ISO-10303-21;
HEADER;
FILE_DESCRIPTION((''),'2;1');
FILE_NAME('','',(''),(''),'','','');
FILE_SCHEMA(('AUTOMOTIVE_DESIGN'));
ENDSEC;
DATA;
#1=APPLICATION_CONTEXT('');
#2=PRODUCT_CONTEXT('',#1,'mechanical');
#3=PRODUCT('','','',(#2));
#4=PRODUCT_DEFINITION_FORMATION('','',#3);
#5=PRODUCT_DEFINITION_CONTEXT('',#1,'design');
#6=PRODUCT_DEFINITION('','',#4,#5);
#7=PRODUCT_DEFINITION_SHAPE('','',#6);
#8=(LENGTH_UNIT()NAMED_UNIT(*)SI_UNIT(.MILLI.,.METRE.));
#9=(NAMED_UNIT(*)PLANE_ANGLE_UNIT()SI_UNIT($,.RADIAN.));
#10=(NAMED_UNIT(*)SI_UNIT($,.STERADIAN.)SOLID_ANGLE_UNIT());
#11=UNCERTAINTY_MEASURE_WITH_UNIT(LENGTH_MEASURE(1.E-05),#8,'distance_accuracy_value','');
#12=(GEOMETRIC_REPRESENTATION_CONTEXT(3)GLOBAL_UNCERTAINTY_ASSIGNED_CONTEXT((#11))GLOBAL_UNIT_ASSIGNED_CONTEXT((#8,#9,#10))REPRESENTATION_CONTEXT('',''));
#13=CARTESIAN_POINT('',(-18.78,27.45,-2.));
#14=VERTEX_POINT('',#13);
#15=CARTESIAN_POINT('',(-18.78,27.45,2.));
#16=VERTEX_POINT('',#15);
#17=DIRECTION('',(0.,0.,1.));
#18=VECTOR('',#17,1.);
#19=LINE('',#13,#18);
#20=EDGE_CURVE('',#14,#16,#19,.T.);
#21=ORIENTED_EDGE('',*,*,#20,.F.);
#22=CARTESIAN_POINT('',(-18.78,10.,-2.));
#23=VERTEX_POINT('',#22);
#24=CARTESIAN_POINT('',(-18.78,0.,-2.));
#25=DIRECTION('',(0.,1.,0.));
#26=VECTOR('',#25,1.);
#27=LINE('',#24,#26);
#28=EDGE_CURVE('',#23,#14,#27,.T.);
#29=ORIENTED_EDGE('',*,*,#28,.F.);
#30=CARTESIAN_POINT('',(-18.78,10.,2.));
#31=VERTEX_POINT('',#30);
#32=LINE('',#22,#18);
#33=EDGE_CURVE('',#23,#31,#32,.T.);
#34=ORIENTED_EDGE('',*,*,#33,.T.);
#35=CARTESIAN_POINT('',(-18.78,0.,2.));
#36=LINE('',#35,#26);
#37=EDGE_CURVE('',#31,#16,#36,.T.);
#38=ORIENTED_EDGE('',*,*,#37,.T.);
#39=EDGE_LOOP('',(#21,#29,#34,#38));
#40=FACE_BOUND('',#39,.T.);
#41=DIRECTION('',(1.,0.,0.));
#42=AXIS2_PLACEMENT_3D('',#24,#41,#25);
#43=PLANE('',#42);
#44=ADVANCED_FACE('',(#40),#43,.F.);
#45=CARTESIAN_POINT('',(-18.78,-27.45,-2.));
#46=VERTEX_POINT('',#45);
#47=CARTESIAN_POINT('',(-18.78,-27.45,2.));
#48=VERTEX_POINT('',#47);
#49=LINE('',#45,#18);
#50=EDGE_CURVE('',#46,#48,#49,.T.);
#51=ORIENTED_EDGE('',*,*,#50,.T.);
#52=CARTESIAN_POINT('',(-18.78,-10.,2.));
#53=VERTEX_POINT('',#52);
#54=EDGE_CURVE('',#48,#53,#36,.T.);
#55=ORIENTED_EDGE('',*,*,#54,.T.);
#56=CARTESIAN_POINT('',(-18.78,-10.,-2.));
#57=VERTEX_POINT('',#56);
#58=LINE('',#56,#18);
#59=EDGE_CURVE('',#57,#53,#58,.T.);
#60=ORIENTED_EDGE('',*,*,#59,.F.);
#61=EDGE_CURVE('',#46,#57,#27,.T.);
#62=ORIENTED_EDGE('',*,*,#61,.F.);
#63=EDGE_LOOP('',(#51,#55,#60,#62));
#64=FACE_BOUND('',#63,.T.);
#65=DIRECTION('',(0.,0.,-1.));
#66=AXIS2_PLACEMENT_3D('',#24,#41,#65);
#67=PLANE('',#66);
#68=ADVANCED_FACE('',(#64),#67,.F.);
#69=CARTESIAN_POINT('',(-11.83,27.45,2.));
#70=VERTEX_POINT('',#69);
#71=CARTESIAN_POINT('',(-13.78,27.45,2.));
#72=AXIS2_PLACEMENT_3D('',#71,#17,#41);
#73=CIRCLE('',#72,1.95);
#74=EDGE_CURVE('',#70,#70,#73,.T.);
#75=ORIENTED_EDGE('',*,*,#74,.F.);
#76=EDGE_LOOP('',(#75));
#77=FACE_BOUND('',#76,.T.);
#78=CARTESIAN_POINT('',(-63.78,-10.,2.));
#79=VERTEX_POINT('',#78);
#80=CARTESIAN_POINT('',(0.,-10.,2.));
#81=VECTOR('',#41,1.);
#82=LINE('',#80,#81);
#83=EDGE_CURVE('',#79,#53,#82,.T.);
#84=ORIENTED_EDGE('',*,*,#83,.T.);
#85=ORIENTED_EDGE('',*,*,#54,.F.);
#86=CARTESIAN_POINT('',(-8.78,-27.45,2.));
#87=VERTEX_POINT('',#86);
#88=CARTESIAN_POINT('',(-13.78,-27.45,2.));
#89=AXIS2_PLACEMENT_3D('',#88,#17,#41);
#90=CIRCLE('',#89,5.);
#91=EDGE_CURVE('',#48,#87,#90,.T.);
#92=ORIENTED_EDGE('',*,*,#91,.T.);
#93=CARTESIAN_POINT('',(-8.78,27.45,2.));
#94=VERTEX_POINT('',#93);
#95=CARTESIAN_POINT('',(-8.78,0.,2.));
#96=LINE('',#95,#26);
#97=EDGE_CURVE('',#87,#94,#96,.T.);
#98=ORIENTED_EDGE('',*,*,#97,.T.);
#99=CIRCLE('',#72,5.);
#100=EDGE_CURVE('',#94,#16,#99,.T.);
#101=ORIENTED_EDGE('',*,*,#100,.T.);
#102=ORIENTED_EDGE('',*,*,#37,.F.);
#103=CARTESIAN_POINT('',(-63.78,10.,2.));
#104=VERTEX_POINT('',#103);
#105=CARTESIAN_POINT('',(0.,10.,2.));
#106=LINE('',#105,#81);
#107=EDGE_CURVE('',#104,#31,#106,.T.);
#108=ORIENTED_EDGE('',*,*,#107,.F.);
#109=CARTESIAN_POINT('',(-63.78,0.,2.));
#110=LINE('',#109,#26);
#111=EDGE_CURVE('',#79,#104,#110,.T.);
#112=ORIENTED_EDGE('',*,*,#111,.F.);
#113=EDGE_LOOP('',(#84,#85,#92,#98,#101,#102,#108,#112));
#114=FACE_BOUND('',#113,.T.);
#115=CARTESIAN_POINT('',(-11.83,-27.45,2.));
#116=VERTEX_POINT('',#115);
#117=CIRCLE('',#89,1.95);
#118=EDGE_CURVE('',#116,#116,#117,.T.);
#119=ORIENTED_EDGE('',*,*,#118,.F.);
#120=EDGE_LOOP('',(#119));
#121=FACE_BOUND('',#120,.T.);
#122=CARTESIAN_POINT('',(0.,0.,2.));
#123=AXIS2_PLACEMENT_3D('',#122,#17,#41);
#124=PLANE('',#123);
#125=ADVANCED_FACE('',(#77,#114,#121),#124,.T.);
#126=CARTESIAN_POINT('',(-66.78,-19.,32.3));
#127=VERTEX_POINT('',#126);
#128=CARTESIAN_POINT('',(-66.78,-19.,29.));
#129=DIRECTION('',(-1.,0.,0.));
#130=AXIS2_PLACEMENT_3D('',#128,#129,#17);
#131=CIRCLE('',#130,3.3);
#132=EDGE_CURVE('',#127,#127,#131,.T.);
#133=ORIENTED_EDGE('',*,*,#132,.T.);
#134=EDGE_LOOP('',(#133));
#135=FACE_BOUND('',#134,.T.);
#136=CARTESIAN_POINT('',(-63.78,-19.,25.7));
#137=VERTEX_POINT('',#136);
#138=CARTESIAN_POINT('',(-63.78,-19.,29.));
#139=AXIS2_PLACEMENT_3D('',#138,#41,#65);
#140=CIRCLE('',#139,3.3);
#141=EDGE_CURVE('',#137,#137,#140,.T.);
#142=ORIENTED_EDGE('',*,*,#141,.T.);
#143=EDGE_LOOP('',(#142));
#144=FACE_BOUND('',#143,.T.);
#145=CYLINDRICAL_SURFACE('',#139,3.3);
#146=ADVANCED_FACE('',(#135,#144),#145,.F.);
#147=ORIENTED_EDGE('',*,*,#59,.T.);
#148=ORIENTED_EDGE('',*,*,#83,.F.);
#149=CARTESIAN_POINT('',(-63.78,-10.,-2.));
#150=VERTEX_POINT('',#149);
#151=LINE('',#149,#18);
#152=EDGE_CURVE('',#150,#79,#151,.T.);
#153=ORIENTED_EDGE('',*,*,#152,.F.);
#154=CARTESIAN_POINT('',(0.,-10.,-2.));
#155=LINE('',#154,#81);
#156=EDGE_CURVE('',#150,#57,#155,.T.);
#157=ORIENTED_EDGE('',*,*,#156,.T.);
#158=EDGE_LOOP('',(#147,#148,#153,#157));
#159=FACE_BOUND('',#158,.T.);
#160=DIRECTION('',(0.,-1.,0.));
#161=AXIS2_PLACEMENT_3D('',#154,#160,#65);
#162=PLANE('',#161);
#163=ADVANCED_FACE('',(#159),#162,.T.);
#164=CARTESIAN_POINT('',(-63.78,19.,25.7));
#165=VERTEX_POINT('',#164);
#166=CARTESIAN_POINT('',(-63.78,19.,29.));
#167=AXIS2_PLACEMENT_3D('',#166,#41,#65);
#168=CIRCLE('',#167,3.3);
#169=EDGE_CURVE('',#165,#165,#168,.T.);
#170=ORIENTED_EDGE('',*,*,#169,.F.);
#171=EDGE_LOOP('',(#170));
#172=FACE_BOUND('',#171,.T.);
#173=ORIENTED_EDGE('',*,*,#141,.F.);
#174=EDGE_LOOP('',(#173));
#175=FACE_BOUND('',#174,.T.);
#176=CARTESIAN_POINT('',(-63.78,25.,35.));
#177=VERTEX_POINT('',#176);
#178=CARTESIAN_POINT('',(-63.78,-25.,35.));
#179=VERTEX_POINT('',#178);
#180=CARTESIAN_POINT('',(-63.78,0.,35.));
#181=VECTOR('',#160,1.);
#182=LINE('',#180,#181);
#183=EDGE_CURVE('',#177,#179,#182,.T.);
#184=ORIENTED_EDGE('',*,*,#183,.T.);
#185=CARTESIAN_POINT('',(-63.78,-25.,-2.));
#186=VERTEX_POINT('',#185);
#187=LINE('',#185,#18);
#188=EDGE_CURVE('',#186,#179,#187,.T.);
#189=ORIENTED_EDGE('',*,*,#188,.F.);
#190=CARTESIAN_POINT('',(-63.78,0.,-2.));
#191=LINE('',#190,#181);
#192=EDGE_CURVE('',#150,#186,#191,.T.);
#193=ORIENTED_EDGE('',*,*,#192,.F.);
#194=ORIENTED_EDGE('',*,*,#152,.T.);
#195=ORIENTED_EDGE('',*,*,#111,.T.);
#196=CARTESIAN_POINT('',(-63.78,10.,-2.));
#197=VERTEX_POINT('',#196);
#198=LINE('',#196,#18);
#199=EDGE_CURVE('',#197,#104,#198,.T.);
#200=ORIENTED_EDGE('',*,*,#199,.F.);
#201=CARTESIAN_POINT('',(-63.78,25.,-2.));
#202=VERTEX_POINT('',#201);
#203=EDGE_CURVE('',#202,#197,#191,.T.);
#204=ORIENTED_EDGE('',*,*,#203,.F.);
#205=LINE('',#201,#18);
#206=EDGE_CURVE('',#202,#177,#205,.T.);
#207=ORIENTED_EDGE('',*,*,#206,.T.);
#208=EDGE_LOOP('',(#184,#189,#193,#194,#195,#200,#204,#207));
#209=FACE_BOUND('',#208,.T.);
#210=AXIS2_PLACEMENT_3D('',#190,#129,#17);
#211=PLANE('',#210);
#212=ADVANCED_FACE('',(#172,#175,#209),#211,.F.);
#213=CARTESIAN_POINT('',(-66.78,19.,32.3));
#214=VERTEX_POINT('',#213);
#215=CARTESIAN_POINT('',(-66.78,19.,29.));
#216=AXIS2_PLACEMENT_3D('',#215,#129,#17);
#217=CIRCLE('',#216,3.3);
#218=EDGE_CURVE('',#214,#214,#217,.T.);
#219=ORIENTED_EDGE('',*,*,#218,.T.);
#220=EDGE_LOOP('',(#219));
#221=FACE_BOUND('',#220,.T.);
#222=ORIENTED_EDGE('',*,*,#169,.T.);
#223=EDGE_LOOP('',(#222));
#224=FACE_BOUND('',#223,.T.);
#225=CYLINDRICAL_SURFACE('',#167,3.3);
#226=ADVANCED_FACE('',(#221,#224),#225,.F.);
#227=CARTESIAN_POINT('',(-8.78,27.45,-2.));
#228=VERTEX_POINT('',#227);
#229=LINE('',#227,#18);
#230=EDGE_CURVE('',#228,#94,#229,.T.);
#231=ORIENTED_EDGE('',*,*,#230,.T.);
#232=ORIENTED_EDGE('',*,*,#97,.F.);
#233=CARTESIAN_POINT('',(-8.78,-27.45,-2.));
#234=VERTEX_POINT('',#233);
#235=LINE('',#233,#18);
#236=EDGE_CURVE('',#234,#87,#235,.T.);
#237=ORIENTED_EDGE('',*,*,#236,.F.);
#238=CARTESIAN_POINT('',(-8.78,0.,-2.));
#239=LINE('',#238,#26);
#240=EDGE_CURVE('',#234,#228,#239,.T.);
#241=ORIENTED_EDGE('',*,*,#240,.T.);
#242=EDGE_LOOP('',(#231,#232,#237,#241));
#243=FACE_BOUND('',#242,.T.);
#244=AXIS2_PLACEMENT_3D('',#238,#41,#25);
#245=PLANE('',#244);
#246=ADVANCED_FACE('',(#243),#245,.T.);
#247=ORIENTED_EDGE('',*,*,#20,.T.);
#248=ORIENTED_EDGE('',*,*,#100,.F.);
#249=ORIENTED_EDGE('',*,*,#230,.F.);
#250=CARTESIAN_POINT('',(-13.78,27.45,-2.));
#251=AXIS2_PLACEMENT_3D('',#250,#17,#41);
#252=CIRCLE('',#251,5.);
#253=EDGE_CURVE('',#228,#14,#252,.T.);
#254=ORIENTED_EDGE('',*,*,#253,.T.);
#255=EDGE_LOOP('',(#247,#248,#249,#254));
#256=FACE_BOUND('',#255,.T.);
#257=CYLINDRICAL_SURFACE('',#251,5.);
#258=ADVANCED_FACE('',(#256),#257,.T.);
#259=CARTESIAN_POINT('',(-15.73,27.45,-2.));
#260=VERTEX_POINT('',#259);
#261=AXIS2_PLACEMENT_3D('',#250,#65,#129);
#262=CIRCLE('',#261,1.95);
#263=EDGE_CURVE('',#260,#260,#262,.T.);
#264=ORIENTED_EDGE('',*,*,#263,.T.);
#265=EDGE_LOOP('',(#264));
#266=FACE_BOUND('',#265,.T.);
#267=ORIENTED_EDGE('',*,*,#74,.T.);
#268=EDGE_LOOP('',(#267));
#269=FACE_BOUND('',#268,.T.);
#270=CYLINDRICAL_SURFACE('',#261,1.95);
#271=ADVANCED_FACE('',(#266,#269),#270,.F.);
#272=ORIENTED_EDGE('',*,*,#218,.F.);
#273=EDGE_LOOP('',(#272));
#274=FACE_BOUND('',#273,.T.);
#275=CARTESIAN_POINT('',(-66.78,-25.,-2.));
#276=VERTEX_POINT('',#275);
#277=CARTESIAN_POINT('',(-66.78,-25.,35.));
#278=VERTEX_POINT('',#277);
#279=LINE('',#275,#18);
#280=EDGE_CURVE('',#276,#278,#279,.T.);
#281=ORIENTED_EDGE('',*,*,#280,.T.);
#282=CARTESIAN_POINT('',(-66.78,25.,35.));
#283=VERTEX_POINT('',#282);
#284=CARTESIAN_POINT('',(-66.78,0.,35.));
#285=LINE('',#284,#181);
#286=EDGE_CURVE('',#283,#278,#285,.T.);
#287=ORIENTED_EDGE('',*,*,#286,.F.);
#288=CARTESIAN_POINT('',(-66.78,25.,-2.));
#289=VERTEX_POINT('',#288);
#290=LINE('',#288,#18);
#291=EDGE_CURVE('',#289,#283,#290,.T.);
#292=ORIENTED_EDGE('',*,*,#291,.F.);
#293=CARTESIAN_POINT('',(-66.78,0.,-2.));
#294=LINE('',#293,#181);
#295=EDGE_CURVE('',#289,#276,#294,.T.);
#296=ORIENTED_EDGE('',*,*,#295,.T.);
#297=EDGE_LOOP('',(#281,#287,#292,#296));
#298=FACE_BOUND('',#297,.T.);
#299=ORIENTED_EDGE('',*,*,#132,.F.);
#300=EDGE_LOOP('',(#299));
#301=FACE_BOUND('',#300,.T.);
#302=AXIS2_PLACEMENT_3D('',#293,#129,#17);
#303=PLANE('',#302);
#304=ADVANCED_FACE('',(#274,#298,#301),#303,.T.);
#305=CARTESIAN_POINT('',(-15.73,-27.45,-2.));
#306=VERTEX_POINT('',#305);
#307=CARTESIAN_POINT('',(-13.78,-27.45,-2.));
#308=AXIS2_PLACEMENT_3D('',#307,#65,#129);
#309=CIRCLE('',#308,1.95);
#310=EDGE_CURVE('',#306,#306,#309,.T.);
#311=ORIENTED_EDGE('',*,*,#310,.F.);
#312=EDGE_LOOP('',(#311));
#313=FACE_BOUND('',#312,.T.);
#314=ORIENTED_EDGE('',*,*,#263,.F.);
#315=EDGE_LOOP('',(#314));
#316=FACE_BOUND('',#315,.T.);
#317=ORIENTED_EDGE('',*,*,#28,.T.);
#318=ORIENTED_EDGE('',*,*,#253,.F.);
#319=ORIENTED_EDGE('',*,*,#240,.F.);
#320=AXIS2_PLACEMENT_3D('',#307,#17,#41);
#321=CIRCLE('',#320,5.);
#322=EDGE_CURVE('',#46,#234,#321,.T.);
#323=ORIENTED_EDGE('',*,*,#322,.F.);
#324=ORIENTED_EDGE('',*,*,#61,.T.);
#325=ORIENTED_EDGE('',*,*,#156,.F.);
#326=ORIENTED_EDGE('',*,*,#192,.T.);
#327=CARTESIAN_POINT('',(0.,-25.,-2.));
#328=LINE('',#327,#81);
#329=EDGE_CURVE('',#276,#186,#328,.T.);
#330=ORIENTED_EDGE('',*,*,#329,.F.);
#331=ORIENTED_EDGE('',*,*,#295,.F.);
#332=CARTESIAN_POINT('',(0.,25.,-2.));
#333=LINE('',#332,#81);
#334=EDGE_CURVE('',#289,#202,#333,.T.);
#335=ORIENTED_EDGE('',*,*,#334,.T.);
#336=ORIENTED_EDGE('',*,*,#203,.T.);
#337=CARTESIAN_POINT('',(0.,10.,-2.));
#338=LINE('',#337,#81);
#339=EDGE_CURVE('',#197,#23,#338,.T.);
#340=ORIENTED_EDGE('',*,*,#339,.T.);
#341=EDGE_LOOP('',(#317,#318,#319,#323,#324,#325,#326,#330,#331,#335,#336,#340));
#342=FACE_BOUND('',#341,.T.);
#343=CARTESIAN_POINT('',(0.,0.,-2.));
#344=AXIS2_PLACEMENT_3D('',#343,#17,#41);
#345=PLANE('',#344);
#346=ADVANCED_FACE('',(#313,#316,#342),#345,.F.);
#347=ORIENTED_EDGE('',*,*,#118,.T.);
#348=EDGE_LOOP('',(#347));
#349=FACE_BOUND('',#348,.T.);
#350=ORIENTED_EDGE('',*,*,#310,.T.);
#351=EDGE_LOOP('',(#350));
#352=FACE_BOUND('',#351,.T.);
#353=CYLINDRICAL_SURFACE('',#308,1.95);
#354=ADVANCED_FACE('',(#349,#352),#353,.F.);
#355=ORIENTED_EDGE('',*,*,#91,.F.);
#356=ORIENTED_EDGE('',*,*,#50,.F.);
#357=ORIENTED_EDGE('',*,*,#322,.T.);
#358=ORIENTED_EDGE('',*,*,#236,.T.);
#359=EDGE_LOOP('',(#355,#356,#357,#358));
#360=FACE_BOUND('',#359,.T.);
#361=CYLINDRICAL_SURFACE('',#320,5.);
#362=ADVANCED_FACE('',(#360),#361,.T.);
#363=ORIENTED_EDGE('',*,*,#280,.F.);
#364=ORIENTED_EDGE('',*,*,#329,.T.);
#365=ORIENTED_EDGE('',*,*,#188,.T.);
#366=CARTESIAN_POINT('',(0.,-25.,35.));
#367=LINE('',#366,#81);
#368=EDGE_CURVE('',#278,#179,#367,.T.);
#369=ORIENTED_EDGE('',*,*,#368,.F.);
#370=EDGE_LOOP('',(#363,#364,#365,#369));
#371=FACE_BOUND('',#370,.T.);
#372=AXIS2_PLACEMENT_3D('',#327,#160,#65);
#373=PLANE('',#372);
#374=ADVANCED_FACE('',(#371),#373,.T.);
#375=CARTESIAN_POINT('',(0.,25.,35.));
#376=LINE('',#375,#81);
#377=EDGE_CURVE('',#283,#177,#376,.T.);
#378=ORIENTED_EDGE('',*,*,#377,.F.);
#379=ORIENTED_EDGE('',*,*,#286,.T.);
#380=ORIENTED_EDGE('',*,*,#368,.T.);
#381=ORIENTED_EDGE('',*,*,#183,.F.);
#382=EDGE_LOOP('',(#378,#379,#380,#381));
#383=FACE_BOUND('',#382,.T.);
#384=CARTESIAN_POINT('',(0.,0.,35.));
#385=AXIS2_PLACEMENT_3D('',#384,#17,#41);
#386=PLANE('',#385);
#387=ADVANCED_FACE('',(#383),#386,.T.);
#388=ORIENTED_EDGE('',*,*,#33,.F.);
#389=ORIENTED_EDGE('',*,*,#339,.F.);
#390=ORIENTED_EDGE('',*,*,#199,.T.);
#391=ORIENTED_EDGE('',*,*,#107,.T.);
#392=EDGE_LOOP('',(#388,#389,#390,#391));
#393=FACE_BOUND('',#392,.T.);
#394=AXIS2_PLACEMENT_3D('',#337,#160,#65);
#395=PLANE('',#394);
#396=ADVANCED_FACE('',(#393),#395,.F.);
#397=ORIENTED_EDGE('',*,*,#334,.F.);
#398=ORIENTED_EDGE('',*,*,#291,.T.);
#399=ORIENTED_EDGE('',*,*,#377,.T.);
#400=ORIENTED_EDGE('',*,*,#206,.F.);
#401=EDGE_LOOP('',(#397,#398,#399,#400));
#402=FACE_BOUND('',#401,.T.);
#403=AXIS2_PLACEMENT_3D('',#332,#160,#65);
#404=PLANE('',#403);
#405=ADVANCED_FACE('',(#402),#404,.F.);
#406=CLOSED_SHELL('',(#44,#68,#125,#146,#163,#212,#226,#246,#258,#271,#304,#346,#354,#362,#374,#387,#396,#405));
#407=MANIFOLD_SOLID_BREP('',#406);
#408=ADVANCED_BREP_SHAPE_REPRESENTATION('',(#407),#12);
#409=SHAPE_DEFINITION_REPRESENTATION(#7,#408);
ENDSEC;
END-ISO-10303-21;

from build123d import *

# Parameters (mm, degrees)
BOSS_EXTRUDE2_DEPTH      = 2
BOSS_EXTRUDE2_DEPTH_BACK = 2
SKETCH1_3_W              = 45
SKETCH1_3_H              = 20
BOSS_EXTRUDE3_DEPTH      = 35
M3_5_CLEARANCE_HOLE2_D   = 3.9
M6_CLEARANCE_HOLE2_D     = 6.6


with BuildPart() as part:
    # Sketch1<3> → Boss-Extrude2 (new, two sides: drawn at the far end of the back side and taken through both)
    with BuildSketch(Plane.XY.offset(-BOSS_EXTRUDE2_DEPTH_BACK)):
        with BuildLine():
            Line((-18.78, 17.478483309), (-8.78, 17.478483309))
            Line((-8.78, 17.478483309), (-8.78, 27.45))
            ThreePointArc((-8.78, 27.45), (-13.78, 32.45), (-18.78, 27.45))
            Line((-18.78, 27.45), (-18.78, 17.478483309))
        make_face()
        Polygon((-18.78, -10), (-18.78, -17.478483309), (-8.78, -17.478483309), (-8.78, 17.478483309), (-18.78, 17.478483309), (-18.78, 10), align=None)
        with BuildLine():
            Line((-8.78, -17.478483309), (-18.78, -17.478483309))
            Line((-18.78, -17.478483309), (-18.78, -27.45))
            ThreePointArc((-18.78, -27.45), (-13.78, -32.45), (-8.78, -27.45))
            Line((-8.78, -27.45), (-8.78, -17.478483309))
        make_face()
        with Locations((-41.28, 0)):
            Rectangle(SKETCH1_3_W, SKETCH1_3_H)
        Polygon((-63.78, -25), (-63.78, -10), (-63.78, 10), (-63.78, 25), (-66.78, 25), (-66.78, -25), align=None)
    extrude(amount=BOSS_EXTRUDE2_DEPTH + BOSS_EXTRUDE2_DEPTH_BACK)

    # Sketch1<4> → Boss-Extrude3 (add)
    with BuildSketch(Plane.XY):
        Polygon((-63.78, -25), (-63.78, -10), (-63.78, 10), (-63.78, 25), (-66.78, 25), (-66.78, -25), align=None)
    extrude(amount=BOSS_EXTRUDE3_DEPTH)

    # M3.5 Clearance Hole2 (through all)
    with Locations(Plane(origin=(0, 0, -2), x_dir=(-1, 0, 0), z_dir=(0, 0, -1))):
        with Locations((13.78, 27.45), (13.78, -27.45)):
            Hole(M3_5_CLEARANCE_HOLE2_D / 2)

    # M6 Clearance Hole2 (through all)
    with Locations(Plane(origin=(-63.78, 0, 0), x_dir=(0, 0, -1), z_dir=(1, 0, 0))):
        with Locations((-29, 19)):
            m6_clearance_hole2 = Hole(M6_CLEARANCE_HOLE2_D / 2)

    # Mirror1: M6 Clearance Hole2 across plane
    add(m6_clearance_hole2.mirror(Plane.ZX), mode=Mode.SUBTRACT)


solid = part.part
